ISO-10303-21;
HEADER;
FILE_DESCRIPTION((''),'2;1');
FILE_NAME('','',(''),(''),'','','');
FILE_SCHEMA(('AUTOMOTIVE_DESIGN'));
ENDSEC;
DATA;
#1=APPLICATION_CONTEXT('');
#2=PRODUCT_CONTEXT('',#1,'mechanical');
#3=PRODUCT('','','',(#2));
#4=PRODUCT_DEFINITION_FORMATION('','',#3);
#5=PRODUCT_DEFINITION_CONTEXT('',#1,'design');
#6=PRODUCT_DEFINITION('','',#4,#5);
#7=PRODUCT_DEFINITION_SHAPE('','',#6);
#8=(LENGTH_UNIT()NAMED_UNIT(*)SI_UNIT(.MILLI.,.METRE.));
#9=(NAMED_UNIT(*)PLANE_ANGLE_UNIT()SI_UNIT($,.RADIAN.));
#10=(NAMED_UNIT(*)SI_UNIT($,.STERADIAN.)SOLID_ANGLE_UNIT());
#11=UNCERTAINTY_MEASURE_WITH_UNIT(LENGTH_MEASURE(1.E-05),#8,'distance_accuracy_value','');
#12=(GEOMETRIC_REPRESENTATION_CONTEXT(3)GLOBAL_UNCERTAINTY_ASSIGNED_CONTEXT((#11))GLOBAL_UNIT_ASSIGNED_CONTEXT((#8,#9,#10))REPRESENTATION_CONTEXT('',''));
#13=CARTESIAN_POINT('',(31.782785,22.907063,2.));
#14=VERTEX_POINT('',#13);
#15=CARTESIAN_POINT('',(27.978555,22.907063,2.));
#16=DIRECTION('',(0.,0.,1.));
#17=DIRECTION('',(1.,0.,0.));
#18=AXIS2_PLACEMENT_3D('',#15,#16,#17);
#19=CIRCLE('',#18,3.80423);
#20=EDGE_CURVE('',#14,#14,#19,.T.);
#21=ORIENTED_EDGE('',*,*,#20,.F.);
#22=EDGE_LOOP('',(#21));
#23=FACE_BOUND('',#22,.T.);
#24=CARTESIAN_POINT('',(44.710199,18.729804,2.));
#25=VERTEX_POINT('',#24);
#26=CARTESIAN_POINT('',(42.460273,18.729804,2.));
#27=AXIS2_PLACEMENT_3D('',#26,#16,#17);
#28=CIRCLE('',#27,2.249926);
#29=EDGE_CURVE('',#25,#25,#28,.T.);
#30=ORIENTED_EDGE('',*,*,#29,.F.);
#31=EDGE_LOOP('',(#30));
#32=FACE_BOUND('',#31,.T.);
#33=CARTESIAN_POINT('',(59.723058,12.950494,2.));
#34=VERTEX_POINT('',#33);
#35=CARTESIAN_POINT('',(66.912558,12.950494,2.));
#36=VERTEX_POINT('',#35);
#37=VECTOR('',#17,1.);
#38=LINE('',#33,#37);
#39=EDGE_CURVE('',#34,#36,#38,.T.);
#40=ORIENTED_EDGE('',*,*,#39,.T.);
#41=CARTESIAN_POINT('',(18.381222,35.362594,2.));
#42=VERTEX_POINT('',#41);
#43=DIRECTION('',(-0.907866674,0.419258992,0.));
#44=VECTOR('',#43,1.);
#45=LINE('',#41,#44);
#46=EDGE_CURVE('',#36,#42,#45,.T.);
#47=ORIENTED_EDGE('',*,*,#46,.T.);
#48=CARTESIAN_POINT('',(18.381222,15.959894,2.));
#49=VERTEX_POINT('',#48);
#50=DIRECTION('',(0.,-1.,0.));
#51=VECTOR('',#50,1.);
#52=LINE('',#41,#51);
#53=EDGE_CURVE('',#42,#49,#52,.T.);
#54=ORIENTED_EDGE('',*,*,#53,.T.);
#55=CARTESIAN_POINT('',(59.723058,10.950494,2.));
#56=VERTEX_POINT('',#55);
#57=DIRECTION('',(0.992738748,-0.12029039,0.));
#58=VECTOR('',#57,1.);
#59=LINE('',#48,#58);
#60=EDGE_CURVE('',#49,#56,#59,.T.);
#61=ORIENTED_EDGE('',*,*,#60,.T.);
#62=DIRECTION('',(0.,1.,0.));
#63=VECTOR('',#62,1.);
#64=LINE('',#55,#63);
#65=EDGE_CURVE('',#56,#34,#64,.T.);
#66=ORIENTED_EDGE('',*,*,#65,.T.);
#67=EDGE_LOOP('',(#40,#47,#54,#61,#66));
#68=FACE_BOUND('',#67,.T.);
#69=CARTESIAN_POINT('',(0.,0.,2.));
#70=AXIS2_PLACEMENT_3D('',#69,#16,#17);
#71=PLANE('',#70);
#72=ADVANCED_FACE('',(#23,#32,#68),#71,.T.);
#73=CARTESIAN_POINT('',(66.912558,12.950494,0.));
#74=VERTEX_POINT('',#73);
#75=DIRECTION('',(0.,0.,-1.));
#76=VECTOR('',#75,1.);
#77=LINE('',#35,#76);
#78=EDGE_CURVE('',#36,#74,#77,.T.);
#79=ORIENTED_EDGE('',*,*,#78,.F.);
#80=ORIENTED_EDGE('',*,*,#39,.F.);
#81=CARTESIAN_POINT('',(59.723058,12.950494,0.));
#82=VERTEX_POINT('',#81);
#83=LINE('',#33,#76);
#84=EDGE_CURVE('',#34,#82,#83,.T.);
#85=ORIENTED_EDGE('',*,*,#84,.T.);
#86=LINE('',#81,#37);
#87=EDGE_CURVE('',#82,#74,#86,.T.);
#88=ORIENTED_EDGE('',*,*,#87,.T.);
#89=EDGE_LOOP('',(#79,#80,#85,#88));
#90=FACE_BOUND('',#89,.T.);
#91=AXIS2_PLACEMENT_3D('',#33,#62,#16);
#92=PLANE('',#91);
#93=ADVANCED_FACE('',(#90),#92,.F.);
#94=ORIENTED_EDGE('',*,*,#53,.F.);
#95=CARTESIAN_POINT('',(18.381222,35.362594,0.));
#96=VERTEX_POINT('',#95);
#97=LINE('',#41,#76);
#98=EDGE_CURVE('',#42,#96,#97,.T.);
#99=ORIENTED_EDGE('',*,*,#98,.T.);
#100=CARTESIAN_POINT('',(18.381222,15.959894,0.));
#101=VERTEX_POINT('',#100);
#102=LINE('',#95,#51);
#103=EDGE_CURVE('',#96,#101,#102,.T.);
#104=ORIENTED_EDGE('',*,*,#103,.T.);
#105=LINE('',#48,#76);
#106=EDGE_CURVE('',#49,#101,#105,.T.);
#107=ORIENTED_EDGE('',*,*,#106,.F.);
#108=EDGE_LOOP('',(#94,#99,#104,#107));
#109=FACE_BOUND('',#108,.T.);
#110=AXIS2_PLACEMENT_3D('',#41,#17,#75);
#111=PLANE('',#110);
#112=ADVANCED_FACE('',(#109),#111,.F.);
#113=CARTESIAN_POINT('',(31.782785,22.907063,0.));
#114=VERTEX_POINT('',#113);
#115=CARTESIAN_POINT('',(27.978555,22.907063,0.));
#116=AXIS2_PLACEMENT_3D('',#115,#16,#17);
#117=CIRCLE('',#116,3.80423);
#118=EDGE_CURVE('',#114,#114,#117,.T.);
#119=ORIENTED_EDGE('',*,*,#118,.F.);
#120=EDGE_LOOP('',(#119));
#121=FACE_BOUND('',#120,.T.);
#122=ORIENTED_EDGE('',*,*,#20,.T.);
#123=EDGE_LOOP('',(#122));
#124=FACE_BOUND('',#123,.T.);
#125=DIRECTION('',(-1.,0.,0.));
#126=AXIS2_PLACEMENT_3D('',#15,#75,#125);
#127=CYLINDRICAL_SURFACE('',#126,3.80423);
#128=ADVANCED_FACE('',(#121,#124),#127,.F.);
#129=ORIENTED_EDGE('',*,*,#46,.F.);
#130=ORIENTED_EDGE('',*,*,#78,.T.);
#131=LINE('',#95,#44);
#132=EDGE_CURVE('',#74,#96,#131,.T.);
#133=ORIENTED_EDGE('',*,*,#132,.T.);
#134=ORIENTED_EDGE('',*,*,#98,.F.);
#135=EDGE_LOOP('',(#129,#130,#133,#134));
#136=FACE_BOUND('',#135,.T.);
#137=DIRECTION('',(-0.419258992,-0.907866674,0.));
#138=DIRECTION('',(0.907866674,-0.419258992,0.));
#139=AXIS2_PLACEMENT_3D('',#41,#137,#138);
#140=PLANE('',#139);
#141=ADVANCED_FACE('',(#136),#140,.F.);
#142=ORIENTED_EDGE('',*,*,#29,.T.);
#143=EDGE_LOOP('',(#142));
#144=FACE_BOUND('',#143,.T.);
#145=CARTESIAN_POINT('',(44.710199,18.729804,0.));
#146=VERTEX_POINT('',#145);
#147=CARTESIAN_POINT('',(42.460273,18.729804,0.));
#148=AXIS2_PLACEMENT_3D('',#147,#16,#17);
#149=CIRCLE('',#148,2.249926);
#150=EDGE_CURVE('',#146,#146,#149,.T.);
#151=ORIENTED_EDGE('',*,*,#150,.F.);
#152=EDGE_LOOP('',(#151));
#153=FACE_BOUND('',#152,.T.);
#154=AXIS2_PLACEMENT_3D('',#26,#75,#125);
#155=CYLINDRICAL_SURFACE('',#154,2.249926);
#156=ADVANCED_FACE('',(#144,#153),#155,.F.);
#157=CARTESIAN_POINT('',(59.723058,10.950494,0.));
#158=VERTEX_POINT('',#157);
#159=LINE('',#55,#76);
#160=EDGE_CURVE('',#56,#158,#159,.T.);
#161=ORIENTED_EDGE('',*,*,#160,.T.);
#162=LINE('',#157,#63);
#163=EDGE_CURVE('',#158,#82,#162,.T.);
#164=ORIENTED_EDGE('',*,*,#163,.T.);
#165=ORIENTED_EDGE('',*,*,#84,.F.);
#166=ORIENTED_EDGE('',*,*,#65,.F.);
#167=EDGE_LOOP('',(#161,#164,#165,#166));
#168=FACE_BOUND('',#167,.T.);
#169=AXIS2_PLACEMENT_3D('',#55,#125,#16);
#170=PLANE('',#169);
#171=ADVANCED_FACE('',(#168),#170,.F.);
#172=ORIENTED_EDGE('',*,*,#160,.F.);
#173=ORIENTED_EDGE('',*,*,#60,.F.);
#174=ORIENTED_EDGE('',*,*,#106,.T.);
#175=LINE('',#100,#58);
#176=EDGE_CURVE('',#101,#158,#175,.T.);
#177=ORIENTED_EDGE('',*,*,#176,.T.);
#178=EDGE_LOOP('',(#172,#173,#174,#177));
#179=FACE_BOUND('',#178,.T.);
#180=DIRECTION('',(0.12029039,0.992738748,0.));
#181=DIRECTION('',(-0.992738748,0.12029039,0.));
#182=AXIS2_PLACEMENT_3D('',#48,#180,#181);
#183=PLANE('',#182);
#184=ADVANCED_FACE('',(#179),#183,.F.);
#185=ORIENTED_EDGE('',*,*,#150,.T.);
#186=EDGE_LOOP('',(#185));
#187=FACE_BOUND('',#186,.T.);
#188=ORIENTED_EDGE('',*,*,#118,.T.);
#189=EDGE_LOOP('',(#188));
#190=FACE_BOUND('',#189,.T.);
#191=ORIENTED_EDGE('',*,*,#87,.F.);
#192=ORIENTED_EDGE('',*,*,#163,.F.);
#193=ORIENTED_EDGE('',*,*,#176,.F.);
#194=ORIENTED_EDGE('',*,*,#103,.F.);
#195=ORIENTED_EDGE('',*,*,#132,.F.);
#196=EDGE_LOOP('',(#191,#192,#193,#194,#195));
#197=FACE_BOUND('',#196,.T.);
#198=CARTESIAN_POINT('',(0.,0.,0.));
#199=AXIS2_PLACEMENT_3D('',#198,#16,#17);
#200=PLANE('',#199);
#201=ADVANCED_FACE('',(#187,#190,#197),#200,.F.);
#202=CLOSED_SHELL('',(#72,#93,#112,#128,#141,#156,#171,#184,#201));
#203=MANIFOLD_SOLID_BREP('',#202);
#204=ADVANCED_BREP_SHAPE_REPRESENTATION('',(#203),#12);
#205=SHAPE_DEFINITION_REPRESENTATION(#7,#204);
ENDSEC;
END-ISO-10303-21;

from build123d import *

# Parameters (mm, degrees)
MODEL_R         = 3.804230181
MODEL_R_2       = 2.249925634
EXTRUDE_1_DEPTH = 2


with BuildPart() as part:
    # Model → 凸台-拉伸1 (new body)
    with BuildSketch(Plane.XY):
        Polygon((18.381222318, 35.362593606), (18.381222318, 15.959893606), (59.723057506, 10.950493606), (59.723057506, 12.950493606), (66.912557506, 12.950493606), align=None)
        with Locations((27.978555101, 22.907063291)):
            Circle(MODEL_R, mode=Mode.SUBTRACT)
        with Locations((42.460272902, 18.729803789)):
            Circle(MODEL_R_2, mode=Mode.SUBTRACT)
    extrude(amount=EXTRUDE_1_DEPTH)


solid = part.part
